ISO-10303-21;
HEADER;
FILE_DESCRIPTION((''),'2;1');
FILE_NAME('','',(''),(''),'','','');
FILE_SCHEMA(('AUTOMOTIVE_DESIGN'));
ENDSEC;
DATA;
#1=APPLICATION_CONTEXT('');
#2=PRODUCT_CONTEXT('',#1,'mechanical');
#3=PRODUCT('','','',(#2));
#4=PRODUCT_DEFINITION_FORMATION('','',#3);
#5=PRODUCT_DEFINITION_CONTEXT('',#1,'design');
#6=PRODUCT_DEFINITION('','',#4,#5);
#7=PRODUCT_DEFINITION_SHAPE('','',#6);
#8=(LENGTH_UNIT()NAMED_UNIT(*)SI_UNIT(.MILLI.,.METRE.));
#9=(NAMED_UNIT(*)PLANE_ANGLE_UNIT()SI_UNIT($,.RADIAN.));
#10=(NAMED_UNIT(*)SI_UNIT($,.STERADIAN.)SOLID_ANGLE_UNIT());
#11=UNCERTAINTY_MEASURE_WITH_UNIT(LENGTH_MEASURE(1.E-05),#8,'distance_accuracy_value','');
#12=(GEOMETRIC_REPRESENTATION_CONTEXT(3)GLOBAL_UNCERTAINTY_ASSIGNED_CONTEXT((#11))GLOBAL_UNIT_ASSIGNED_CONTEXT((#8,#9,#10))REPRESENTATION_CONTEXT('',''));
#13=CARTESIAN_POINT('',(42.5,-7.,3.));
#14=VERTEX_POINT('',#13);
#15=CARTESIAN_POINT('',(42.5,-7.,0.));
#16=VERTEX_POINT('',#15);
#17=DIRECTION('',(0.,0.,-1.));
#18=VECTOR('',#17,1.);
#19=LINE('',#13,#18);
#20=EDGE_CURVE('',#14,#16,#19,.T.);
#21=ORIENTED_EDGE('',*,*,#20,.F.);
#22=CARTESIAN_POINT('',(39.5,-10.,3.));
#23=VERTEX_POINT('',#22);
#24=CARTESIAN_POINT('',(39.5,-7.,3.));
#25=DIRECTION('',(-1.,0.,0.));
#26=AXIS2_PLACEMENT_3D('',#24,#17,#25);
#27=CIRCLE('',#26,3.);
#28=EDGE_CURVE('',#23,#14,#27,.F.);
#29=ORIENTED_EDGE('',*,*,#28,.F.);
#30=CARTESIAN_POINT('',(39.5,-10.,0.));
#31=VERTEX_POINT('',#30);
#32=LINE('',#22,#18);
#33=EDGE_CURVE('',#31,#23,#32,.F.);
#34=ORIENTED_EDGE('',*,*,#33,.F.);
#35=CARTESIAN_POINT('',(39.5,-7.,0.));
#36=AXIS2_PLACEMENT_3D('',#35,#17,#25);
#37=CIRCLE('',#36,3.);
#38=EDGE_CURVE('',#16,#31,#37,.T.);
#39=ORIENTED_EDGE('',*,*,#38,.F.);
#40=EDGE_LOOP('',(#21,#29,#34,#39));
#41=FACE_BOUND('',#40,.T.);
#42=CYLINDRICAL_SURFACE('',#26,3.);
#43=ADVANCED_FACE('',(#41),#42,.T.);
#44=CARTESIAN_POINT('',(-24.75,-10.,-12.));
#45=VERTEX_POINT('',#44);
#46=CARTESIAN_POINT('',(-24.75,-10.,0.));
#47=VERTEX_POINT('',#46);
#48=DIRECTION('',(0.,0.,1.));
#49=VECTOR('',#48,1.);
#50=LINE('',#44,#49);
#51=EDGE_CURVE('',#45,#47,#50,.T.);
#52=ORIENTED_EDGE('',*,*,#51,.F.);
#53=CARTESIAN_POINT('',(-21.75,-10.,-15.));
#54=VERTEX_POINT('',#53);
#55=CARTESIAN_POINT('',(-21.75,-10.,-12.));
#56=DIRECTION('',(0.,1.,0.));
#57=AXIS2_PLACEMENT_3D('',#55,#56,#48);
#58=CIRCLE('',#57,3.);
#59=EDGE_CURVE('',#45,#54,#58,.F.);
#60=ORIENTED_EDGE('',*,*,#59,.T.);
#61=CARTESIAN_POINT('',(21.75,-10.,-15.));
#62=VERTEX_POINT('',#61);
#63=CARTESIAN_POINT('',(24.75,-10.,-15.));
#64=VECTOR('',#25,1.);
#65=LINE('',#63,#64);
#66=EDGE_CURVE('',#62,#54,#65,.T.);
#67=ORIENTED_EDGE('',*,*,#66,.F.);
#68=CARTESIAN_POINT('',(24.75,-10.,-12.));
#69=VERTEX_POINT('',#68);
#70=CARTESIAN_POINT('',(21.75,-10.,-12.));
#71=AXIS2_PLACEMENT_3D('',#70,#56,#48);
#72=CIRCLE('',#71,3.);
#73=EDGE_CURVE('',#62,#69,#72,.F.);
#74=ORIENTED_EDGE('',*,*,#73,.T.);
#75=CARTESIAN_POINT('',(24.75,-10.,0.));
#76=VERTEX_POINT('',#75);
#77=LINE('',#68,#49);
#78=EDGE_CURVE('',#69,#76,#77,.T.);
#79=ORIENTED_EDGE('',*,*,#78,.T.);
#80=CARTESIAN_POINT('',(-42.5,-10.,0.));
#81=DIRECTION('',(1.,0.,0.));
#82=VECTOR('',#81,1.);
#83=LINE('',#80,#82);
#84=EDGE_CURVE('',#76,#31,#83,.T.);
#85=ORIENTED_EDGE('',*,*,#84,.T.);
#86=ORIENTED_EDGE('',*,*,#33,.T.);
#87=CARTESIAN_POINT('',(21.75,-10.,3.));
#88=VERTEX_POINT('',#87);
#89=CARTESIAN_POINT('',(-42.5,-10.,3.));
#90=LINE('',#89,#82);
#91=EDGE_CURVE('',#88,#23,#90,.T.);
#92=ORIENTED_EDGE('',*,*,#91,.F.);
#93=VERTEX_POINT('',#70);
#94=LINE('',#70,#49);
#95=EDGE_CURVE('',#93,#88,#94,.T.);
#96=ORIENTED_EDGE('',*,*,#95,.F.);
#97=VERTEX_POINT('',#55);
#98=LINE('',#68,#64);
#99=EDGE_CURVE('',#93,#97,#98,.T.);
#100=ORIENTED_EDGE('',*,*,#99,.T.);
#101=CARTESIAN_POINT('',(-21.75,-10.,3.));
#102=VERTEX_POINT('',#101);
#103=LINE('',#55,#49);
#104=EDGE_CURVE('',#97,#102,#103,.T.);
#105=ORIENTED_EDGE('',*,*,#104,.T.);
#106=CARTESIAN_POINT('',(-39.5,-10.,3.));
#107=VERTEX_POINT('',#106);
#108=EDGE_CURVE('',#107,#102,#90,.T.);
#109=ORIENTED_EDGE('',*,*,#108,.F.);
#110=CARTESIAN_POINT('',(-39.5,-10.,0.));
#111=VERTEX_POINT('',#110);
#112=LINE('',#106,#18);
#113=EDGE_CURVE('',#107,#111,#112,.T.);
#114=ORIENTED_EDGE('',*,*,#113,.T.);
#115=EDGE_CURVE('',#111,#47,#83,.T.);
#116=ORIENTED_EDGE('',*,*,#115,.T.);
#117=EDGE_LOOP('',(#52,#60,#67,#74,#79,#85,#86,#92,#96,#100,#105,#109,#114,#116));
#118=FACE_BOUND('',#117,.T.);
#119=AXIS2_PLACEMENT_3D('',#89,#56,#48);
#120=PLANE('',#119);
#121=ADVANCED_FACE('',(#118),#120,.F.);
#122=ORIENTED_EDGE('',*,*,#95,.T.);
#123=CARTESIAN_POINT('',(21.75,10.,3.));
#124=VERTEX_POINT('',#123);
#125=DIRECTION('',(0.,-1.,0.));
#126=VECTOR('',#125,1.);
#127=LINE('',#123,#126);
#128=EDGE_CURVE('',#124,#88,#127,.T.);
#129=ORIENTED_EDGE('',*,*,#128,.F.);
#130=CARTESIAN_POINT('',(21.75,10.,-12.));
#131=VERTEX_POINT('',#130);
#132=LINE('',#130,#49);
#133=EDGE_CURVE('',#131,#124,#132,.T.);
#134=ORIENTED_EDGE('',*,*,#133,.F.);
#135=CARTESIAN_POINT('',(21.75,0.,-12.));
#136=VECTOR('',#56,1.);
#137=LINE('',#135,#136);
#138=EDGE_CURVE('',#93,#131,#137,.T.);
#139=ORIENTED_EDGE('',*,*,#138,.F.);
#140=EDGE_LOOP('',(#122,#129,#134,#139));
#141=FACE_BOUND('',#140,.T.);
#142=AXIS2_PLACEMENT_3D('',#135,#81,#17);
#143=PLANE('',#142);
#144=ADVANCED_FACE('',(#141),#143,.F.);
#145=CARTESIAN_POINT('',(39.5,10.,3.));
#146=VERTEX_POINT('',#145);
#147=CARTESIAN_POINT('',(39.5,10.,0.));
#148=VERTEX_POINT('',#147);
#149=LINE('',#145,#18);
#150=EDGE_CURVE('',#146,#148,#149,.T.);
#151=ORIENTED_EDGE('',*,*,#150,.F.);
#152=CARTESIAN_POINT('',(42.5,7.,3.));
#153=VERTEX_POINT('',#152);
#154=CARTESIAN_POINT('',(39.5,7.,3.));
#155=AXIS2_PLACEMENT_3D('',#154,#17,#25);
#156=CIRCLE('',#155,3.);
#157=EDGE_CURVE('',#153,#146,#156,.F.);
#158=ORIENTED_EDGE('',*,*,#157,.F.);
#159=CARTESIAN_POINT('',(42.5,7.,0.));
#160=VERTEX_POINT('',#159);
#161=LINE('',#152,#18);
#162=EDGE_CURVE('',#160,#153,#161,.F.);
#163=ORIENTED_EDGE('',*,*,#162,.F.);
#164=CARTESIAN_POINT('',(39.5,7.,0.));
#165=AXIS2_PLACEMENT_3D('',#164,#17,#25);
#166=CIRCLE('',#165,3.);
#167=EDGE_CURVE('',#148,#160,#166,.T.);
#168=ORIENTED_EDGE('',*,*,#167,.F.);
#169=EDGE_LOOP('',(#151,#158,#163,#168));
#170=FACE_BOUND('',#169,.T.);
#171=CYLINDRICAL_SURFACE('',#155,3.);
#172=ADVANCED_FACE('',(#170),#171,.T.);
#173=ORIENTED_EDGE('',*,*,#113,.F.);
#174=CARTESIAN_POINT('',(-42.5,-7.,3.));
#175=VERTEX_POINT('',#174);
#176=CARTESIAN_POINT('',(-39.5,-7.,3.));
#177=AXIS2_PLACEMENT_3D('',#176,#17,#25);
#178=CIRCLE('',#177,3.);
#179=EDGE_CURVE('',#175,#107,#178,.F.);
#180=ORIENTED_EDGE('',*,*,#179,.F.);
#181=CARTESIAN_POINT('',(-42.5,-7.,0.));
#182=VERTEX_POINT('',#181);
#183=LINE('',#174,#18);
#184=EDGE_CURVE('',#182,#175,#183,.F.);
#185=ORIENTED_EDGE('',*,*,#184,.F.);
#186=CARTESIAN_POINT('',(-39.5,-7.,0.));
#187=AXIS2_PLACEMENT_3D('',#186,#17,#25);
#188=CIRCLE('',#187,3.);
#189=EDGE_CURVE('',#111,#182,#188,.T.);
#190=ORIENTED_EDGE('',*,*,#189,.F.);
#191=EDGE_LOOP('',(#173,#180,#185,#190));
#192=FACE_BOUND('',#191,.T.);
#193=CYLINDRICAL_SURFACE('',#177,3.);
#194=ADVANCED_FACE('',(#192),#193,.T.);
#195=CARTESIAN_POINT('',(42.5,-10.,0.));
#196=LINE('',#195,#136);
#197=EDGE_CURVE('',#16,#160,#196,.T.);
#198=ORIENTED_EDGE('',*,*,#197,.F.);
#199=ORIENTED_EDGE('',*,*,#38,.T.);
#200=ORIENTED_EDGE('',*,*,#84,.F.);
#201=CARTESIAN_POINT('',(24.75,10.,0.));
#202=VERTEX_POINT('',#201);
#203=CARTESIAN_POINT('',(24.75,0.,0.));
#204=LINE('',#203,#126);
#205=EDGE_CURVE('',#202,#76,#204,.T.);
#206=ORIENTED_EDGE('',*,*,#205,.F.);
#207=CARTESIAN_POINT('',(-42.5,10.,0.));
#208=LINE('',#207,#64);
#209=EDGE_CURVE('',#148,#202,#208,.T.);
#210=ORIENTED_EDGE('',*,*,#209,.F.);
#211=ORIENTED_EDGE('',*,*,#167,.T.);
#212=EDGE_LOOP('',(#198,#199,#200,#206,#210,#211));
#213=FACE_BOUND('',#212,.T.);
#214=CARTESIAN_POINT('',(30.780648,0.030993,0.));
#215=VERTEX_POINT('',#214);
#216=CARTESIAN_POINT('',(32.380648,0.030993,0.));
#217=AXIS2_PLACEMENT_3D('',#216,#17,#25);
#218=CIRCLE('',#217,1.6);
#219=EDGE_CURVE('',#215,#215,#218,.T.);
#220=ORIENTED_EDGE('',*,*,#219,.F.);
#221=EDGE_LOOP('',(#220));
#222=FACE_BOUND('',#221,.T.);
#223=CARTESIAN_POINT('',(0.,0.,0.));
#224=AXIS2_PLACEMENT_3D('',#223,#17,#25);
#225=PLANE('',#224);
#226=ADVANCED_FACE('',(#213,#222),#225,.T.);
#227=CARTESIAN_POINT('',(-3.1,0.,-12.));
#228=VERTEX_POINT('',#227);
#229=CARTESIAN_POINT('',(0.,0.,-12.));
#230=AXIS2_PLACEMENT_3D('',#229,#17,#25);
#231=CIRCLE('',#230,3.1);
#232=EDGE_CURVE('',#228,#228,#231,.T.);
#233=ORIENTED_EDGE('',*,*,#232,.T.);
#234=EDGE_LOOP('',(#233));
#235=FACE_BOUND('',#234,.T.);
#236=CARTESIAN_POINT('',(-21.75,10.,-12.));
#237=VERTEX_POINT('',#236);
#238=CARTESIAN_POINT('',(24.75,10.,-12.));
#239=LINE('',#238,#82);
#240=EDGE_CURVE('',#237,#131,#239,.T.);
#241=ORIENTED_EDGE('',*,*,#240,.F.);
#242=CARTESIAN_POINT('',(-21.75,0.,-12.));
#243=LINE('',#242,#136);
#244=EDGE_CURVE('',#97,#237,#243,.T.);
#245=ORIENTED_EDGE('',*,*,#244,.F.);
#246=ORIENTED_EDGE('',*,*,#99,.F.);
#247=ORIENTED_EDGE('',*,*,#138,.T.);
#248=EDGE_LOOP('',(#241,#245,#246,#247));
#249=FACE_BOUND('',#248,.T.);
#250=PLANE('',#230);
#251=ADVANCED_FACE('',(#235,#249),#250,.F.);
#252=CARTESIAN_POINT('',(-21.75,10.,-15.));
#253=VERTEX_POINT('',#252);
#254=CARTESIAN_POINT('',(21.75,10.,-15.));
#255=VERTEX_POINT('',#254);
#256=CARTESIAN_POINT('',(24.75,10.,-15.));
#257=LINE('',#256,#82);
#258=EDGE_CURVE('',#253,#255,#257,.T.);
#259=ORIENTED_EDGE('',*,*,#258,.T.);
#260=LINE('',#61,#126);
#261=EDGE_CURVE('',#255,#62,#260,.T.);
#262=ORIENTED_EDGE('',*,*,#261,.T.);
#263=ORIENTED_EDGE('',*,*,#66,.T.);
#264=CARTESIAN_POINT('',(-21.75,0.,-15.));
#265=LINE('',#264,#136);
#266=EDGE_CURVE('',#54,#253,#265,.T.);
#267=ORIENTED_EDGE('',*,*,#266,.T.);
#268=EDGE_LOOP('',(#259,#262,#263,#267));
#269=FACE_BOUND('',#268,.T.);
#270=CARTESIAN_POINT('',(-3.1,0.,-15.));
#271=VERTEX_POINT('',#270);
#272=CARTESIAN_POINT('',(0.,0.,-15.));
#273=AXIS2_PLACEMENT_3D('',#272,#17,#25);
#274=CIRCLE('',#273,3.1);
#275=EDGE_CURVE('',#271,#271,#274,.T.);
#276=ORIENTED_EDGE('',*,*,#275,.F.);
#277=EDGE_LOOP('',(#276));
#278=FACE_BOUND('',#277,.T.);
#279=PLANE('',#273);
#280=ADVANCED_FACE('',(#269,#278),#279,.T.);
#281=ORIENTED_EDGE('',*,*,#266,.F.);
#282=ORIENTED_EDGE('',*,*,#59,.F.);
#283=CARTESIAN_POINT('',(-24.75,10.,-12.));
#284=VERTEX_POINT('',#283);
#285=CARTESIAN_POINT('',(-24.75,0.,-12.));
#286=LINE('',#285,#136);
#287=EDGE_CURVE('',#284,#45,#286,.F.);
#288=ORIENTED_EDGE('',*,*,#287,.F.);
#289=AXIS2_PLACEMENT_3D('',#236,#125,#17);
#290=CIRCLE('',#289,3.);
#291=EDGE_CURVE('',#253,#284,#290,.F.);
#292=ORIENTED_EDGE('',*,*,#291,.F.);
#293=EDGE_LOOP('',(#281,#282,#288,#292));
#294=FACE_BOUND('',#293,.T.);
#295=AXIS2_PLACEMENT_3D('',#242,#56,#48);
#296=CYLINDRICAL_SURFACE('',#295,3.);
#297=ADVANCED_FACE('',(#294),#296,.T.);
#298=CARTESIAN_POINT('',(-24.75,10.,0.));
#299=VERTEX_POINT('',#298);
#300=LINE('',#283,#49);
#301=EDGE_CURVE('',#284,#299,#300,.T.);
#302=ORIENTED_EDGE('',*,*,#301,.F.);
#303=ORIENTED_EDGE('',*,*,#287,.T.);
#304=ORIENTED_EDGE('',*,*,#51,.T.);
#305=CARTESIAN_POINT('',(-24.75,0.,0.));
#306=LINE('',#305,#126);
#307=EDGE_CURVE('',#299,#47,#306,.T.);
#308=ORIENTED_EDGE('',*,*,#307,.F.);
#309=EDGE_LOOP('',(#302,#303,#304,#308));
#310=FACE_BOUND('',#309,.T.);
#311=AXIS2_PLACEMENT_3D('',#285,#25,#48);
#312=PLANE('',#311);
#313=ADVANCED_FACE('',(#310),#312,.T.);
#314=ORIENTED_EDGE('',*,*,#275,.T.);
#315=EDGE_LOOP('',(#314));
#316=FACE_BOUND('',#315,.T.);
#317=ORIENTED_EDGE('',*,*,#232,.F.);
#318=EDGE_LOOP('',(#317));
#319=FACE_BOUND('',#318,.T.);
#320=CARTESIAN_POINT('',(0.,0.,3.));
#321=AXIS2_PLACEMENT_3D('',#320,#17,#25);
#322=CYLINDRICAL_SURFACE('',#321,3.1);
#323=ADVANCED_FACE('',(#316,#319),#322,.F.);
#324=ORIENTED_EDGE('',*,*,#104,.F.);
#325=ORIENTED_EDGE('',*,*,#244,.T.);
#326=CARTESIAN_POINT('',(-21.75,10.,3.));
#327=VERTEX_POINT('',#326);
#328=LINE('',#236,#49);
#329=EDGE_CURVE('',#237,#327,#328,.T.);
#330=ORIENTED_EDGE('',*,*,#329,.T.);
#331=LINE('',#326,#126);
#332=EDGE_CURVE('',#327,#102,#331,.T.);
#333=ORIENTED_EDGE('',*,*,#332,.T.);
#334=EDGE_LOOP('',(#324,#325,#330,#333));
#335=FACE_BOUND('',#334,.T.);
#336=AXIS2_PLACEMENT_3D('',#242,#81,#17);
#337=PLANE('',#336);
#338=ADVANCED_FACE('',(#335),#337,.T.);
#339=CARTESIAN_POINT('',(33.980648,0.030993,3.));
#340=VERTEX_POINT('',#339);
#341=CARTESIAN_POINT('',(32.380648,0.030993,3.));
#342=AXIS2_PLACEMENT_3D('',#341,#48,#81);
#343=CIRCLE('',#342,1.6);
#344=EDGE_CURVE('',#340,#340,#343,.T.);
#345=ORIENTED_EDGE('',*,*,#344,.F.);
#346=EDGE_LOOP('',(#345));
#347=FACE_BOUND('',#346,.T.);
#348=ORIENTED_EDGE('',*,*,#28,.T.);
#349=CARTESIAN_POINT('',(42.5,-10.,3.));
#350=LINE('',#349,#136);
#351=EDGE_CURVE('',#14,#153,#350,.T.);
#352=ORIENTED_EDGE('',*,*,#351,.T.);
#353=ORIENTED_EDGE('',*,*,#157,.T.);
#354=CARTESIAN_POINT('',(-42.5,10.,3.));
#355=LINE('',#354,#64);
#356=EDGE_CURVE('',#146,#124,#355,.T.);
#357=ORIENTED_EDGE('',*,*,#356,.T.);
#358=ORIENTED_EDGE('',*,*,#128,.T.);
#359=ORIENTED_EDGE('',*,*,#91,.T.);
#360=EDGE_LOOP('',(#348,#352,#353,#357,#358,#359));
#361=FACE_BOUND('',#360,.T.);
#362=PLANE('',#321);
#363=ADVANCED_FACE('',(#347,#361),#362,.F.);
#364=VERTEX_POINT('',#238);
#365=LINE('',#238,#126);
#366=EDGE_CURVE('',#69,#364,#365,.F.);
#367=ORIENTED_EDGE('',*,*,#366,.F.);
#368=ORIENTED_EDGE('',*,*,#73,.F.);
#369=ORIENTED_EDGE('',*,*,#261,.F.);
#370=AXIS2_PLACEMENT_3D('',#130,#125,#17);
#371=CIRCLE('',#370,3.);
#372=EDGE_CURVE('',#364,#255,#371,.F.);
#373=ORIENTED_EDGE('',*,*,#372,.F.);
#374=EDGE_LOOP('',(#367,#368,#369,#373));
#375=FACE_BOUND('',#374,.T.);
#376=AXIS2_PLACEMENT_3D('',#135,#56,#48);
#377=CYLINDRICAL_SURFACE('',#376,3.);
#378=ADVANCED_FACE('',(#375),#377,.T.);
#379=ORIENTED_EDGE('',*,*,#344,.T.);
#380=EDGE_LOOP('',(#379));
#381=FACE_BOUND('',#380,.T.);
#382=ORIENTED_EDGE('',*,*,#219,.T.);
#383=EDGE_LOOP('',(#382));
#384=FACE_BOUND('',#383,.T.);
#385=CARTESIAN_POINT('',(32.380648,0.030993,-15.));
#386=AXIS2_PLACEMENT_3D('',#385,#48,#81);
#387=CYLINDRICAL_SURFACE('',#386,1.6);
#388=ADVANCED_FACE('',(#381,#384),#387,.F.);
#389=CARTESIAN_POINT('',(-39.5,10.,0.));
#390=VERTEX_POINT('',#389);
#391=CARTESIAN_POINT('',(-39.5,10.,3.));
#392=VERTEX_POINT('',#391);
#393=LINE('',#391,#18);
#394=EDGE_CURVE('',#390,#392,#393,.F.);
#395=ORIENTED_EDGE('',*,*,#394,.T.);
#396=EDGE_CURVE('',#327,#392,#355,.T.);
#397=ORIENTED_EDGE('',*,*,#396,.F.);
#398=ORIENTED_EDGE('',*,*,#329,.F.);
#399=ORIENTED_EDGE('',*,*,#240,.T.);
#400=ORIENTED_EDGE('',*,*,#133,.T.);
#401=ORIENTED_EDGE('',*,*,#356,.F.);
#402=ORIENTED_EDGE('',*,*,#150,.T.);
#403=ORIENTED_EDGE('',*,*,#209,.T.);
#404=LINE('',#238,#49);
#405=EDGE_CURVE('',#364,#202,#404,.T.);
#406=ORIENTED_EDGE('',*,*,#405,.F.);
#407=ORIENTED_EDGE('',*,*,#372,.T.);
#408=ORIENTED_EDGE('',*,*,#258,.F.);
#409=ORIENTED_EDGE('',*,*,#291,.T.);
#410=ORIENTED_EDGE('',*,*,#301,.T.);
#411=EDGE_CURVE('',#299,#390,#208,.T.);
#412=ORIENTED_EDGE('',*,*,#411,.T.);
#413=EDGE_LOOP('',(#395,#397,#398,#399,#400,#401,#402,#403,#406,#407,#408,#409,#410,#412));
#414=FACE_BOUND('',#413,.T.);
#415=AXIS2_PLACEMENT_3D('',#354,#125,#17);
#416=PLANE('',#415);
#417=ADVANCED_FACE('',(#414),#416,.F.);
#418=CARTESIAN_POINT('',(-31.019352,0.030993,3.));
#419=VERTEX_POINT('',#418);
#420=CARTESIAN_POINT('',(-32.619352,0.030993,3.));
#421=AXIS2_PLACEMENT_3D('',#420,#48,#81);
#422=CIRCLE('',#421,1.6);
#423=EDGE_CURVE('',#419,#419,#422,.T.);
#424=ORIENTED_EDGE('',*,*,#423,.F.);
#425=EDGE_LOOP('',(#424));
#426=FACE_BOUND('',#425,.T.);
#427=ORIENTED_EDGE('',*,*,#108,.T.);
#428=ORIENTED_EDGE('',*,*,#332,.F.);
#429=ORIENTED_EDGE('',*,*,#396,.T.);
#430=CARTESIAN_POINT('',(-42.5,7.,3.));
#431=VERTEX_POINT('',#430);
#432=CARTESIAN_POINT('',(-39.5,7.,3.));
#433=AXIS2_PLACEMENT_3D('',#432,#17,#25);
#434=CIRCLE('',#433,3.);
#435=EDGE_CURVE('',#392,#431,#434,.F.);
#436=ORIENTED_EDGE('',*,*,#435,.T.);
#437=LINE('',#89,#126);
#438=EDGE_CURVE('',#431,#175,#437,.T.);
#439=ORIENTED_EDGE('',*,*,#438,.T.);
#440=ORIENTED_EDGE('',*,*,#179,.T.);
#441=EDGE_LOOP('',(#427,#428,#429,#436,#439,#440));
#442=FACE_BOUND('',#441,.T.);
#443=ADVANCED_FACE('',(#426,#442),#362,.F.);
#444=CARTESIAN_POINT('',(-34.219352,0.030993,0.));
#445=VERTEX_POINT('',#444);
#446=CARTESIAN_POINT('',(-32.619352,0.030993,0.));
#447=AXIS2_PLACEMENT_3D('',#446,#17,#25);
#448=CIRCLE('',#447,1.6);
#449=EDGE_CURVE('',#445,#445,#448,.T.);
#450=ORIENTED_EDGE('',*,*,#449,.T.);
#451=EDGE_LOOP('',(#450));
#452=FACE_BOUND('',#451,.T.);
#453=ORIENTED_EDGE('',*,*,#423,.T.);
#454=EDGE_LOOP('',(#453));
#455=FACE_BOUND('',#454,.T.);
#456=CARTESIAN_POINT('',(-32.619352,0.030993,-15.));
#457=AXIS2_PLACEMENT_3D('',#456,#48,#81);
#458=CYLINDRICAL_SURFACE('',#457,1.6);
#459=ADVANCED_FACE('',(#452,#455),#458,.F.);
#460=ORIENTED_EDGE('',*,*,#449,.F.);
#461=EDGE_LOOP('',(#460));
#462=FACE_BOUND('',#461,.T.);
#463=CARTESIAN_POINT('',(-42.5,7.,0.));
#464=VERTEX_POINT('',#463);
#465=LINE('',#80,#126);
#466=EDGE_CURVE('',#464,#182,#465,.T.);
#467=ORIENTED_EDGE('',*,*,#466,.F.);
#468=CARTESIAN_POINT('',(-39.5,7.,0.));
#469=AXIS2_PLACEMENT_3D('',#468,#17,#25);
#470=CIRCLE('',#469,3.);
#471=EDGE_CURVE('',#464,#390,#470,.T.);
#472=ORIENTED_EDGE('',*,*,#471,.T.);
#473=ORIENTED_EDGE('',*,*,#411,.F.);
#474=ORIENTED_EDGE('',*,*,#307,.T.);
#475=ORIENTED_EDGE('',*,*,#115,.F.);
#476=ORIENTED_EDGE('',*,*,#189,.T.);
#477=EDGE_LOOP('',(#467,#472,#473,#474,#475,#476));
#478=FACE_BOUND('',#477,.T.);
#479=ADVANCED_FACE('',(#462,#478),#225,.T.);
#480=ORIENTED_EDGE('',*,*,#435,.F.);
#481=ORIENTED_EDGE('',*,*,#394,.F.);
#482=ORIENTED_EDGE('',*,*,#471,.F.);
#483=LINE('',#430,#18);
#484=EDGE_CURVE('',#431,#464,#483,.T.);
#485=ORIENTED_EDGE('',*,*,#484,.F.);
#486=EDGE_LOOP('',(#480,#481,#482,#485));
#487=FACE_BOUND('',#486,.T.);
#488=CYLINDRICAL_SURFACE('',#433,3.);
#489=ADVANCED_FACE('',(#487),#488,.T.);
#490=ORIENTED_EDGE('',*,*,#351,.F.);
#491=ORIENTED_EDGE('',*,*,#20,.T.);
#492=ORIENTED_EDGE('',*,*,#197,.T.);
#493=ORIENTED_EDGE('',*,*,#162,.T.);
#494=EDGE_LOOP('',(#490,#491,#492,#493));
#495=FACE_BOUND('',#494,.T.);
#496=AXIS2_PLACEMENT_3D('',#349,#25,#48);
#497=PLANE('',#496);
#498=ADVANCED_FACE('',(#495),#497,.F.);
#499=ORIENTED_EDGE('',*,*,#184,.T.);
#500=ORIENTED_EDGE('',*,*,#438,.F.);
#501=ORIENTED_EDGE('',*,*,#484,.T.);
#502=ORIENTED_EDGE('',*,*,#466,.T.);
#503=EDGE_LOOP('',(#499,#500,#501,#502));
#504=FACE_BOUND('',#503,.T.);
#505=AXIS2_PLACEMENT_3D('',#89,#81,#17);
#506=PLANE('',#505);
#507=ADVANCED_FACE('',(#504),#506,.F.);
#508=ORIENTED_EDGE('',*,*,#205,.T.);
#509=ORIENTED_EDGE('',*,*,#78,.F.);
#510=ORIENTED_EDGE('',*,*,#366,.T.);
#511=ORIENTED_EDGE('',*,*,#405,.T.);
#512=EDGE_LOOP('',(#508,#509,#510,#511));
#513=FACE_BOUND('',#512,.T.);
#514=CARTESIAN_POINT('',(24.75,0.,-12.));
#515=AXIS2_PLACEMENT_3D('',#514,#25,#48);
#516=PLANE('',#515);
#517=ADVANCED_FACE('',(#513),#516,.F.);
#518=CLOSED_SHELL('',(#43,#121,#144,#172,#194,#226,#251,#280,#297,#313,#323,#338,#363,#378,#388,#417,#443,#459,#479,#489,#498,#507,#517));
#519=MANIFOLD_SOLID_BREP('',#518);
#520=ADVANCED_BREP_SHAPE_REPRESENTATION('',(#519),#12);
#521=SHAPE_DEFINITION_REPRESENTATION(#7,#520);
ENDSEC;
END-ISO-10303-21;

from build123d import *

# Parameters (mm, degrees)
SKETCH1_W           = 85
SKETCH1_H           = 20
BOSS_EXTRUDE1_DEPTH = 3
SKETCH2_W           = 3
SKETCH2_H           = 20
BOSS_EXTRUDE2_DEPTH = 12
SKETCH3_W           = 49.5
SKETCH3_H           = 20
BOSS_EXTRUDE3_DEPTH = 3
SKETCH4_W           = 43.5
SKETCH4_H           = 3
CUT_EXTRUDE1_DEPTH  = 50.307707308
SKETCH5_R           = 3.1
CUT_EXTRUDE2_DEPTH  = 48.22552276
SKETCH6_R           = 1.6
CUT_EXTRUDE3_DEPTH  = 48.22552276
FILLET1_R           = 3


with BuildPart() as part:
    # Sketch1 → Boss-Extrude1 (new body)
    with BuildSketch(Plane.XY):
        Rectangle(SKETCH1_W, SKETCH1_H)
    extrude(amount=BOSS_EXTRUDE1_DEPTH)

    # Sketch2 → Boss-Extrude2 (add)
    with BuildSketch(Plane(origin=(0, 0, 0), x_dir=(-1, 0, 0), z_dir=(0, 0, -1))):
        with Locations((-23.25, 0)):
            Rectangle(SKETCH2_W, SKETCH2_H)
        with Locations((23.25, 0)):
            Rectangle(SKETCH2_W, SKETCH2_H)
    extrude(amount=BOSS_EXTRUDE2_DEPTH)

    # Sketch3 → Boss-Extrude3 (add)
    with BuildSketch(Plane(origin=(0, 0, -12), x_dir=(-1, 0, 0), z_dir=(0, 0, -1))):
        Rectangle(SKETCH3_W, SKETCH3_H)
    extrude(amount=BOSS_EXTRUDE3_DEPTH)

    # Sketch4 → Cut-Extrude1 (cut, through all)
    with BuildSketch(Plane.XZ.offset(10)):
        with Locations((0, 1.5)):
            Rectangle(SKETCH4_W, SKETCH4_H)
    extrude(amount=-CUT_EXTRUDE1_DEPTH, mode=Mode.SUBTRACT)

    # Sketch5 → Cut-Extrude2 (cut, through all)
    with BuildSketch(Plane(origin=(0, 0, -15), x_dir=(-1, 0, 0), z_dir=(0, 0, -1))):
        Circle(SKETCH5_R)
    extrude(amount=-CUT_EXTRUDE2_DEPTH, mode=Mode.SUBTRACT)

    # Sketch6 → Cut-Extrude3 (cut, through all)
    with BuildSketch(Plane.XY.offset(3)):
        with Locations((32.380648159, 0.030992543)):
            Circle(SKETCH6_R)
        with Locations((-32.619351841, 0.030992543)):
            Circle(SKETCH6_R)
    extrude(amount=-CUT_EXTRUDE3_DEPTH, mode=Mode.SUBTRACT)

    # Fillet1
    fillet1_edges = [part.edges().sort_by_distance(p)[0] for p in [
        (24.75, 0, -15),
        (-24.75, 0, -15),
        (42.5, -10, 1.5),
        (-42.5, -10, 1.5),
        (-42.5, 10, 1.5),
        (42.5, 10, 1.5),
    ]]
    fillet(fillet1_edges, radius=FILLET1_R)


solid = part.part
